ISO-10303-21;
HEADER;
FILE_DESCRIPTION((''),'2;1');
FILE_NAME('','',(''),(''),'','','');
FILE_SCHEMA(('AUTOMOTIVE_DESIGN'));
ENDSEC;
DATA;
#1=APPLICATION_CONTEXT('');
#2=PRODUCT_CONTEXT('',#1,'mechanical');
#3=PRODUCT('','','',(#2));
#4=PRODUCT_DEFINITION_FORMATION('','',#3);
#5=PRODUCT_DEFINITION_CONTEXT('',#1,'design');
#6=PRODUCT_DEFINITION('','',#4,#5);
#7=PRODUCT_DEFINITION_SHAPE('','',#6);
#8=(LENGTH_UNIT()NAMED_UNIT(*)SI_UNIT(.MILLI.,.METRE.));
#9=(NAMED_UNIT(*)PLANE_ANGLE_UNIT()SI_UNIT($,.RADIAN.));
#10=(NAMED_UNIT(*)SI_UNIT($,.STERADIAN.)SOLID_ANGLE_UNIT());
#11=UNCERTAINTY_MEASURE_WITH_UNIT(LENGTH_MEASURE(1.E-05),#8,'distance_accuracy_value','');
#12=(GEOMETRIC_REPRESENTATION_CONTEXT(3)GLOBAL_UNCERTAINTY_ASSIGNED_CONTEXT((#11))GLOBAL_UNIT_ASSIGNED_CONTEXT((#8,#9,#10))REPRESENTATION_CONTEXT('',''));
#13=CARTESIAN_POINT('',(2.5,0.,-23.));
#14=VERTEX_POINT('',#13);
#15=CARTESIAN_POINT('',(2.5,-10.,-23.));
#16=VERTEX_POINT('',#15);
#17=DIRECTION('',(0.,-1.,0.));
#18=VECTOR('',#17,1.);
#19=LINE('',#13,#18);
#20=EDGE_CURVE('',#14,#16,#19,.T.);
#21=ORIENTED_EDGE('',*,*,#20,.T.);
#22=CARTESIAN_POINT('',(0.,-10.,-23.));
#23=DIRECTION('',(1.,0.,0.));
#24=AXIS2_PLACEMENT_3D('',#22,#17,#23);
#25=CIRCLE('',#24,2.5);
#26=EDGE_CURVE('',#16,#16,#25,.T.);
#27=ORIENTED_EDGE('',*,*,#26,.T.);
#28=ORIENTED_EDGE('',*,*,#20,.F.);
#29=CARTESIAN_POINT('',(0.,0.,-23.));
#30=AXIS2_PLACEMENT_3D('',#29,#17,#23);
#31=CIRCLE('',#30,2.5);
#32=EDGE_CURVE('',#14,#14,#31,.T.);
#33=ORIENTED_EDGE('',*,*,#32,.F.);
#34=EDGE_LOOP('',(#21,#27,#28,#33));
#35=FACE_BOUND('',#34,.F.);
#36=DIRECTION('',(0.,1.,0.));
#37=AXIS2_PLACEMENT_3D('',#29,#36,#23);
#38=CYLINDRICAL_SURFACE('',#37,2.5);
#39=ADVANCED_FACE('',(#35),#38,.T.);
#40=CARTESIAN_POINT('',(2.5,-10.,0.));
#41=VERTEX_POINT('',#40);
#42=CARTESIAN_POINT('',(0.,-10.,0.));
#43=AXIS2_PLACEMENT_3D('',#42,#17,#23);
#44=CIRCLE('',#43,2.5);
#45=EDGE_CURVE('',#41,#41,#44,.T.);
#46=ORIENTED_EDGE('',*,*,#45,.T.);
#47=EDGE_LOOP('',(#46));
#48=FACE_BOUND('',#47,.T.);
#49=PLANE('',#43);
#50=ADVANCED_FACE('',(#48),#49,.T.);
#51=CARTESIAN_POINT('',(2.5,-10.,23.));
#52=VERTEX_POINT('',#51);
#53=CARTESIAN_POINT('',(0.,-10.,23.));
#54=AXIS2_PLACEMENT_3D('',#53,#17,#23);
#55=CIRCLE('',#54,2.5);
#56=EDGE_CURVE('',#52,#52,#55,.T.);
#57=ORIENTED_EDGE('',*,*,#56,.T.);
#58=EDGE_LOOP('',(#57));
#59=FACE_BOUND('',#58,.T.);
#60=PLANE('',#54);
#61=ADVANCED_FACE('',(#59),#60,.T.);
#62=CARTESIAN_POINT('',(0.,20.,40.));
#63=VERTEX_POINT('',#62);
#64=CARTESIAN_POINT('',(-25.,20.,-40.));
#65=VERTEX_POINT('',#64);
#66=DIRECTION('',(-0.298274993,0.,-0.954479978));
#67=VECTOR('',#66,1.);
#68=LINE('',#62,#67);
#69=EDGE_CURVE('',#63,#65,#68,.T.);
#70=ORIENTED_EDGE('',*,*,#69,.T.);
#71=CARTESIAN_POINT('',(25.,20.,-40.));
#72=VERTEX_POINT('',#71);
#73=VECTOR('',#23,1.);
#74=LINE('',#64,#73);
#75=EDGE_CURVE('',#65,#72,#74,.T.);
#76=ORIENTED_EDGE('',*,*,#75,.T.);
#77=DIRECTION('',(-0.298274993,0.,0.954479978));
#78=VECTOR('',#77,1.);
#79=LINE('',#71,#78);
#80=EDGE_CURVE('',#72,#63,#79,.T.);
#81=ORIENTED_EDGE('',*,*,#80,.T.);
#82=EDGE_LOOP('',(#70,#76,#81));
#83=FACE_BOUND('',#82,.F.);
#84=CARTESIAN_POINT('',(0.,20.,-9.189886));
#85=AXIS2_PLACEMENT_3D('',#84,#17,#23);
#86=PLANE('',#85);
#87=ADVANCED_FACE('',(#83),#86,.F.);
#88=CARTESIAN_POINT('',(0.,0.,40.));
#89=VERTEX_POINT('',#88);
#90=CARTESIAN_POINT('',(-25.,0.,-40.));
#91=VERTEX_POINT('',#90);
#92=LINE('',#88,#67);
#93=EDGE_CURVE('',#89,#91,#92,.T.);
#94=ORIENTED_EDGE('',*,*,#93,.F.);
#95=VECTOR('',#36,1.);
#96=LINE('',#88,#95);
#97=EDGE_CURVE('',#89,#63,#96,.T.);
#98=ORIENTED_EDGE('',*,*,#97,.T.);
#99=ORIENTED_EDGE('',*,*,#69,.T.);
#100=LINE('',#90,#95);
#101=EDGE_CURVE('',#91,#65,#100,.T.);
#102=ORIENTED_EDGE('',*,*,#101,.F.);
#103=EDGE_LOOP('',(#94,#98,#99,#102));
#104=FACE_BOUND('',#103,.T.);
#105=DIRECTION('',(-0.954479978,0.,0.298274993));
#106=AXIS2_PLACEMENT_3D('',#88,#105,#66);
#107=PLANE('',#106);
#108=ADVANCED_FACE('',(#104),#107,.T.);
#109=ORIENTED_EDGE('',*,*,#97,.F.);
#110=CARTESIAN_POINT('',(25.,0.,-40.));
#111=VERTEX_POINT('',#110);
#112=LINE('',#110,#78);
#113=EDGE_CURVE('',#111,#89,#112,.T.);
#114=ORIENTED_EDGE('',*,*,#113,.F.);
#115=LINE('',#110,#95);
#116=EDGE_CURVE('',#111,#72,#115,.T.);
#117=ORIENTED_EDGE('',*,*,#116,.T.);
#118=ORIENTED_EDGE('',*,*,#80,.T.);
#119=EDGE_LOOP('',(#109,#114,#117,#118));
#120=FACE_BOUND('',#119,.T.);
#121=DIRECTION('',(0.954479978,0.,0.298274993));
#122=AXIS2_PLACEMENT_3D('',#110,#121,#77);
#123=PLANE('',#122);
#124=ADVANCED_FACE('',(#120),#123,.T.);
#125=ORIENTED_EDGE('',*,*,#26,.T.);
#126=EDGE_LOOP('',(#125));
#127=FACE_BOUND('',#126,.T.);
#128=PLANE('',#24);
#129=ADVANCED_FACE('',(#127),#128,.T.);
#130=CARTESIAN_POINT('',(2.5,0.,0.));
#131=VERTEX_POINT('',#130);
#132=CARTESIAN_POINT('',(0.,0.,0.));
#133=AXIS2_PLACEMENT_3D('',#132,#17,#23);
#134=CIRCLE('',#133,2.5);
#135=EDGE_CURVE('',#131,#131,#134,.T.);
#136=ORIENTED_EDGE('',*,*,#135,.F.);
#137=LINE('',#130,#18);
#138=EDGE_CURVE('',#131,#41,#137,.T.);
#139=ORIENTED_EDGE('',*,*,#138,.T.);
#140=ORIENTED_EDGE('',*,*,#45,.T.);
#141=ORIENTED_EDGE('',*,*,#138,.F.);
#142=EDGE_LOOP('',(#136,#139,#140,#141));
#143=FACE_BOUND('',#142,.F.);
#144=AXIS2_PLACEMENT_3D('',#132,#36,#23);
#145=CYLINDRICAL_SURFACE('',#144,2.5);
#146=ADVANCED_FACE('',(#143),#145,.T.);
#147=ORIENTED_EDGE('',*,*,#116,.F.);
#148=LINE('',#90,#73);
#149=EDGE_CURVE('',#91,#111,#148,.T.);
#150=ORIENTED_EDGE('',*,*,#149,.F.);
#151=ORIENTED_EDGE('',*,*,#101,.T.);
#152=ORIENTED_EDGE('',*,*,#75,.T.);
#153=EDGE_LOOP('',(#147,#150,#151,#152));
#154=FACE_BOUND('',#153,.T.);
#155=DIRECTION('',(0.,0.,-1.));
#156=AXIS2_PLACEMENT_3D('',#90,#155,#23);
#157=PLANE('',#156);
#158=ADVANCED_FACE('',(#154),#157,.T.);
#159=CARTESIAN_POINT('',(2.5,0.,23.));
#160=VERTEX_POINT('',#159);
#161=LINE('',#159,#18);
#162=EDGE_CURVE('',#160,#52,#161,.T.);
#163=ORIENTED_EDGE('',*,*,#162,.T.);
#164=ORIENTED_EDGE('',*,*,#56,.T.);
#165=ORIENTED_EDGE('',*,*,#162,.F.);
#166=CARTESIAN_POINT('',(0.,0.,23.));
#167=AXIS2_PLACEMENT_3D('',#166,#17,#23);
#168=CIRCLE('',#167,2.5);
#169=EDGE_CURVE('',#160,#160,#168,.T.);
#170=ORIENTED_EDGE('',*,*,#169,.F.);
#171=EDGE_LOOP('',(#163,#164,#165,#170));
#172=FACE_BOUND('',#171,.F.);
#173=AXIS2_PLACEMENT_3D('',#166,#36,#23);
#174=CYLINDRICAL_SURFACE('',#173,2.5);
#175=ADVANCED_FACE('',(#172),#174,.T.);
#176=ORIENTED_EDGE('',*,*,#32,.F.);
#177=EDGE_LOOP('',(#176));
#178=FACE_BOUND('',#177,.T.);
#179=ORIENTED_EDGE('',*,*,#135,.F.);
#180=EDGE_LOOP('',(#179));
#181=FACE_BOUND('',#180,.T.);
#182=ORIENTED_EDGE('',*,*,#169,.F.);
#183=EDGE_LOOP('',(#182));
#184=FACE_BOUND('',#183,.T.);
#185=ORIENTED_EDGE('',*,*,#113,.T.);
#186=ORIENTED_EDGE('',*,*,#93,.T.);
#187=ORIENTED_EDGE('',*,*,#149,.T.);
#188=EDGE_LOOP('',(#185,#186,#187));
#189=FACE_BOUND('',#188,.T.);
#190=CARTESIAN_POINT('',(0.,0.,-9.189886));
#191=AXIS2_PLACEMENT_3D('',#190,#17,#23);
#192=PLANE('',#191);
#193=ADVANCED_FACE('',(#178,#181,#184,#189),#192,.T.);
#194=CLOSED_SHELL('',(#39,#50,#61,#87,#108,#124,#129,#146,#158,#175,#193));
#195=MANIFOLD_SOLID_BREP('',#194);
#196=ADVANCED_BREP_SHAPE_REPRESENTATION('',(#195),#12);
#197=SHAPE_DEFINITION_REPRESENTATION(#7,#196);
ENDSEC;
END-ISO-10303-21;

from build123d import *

# Parameters (mm, degrees)
F1_DEPTH = 20
F2_R     = 2.5
F3_DEPTH = 10


with BuildPart() as f1:
    # F0 (on Front) → F1 (new body)
    with BuildSketch(Plane.XZ):
        Polygon((25, -40), (0, 40), (-25, -40), align=None)
    extrude(amount=-F1_DEPTH)

    # F2 (on Front) → F3 (join)
    with BuildSketch(Plane.XZ):
        with Locations((0, 23)):
            Circle(F2_R)
        Circle(F2_R)
        with Locations((0, -23)):
            Circle(F2_R)
    extrude(amount=F3_DEPTH)


solid = f1.part
